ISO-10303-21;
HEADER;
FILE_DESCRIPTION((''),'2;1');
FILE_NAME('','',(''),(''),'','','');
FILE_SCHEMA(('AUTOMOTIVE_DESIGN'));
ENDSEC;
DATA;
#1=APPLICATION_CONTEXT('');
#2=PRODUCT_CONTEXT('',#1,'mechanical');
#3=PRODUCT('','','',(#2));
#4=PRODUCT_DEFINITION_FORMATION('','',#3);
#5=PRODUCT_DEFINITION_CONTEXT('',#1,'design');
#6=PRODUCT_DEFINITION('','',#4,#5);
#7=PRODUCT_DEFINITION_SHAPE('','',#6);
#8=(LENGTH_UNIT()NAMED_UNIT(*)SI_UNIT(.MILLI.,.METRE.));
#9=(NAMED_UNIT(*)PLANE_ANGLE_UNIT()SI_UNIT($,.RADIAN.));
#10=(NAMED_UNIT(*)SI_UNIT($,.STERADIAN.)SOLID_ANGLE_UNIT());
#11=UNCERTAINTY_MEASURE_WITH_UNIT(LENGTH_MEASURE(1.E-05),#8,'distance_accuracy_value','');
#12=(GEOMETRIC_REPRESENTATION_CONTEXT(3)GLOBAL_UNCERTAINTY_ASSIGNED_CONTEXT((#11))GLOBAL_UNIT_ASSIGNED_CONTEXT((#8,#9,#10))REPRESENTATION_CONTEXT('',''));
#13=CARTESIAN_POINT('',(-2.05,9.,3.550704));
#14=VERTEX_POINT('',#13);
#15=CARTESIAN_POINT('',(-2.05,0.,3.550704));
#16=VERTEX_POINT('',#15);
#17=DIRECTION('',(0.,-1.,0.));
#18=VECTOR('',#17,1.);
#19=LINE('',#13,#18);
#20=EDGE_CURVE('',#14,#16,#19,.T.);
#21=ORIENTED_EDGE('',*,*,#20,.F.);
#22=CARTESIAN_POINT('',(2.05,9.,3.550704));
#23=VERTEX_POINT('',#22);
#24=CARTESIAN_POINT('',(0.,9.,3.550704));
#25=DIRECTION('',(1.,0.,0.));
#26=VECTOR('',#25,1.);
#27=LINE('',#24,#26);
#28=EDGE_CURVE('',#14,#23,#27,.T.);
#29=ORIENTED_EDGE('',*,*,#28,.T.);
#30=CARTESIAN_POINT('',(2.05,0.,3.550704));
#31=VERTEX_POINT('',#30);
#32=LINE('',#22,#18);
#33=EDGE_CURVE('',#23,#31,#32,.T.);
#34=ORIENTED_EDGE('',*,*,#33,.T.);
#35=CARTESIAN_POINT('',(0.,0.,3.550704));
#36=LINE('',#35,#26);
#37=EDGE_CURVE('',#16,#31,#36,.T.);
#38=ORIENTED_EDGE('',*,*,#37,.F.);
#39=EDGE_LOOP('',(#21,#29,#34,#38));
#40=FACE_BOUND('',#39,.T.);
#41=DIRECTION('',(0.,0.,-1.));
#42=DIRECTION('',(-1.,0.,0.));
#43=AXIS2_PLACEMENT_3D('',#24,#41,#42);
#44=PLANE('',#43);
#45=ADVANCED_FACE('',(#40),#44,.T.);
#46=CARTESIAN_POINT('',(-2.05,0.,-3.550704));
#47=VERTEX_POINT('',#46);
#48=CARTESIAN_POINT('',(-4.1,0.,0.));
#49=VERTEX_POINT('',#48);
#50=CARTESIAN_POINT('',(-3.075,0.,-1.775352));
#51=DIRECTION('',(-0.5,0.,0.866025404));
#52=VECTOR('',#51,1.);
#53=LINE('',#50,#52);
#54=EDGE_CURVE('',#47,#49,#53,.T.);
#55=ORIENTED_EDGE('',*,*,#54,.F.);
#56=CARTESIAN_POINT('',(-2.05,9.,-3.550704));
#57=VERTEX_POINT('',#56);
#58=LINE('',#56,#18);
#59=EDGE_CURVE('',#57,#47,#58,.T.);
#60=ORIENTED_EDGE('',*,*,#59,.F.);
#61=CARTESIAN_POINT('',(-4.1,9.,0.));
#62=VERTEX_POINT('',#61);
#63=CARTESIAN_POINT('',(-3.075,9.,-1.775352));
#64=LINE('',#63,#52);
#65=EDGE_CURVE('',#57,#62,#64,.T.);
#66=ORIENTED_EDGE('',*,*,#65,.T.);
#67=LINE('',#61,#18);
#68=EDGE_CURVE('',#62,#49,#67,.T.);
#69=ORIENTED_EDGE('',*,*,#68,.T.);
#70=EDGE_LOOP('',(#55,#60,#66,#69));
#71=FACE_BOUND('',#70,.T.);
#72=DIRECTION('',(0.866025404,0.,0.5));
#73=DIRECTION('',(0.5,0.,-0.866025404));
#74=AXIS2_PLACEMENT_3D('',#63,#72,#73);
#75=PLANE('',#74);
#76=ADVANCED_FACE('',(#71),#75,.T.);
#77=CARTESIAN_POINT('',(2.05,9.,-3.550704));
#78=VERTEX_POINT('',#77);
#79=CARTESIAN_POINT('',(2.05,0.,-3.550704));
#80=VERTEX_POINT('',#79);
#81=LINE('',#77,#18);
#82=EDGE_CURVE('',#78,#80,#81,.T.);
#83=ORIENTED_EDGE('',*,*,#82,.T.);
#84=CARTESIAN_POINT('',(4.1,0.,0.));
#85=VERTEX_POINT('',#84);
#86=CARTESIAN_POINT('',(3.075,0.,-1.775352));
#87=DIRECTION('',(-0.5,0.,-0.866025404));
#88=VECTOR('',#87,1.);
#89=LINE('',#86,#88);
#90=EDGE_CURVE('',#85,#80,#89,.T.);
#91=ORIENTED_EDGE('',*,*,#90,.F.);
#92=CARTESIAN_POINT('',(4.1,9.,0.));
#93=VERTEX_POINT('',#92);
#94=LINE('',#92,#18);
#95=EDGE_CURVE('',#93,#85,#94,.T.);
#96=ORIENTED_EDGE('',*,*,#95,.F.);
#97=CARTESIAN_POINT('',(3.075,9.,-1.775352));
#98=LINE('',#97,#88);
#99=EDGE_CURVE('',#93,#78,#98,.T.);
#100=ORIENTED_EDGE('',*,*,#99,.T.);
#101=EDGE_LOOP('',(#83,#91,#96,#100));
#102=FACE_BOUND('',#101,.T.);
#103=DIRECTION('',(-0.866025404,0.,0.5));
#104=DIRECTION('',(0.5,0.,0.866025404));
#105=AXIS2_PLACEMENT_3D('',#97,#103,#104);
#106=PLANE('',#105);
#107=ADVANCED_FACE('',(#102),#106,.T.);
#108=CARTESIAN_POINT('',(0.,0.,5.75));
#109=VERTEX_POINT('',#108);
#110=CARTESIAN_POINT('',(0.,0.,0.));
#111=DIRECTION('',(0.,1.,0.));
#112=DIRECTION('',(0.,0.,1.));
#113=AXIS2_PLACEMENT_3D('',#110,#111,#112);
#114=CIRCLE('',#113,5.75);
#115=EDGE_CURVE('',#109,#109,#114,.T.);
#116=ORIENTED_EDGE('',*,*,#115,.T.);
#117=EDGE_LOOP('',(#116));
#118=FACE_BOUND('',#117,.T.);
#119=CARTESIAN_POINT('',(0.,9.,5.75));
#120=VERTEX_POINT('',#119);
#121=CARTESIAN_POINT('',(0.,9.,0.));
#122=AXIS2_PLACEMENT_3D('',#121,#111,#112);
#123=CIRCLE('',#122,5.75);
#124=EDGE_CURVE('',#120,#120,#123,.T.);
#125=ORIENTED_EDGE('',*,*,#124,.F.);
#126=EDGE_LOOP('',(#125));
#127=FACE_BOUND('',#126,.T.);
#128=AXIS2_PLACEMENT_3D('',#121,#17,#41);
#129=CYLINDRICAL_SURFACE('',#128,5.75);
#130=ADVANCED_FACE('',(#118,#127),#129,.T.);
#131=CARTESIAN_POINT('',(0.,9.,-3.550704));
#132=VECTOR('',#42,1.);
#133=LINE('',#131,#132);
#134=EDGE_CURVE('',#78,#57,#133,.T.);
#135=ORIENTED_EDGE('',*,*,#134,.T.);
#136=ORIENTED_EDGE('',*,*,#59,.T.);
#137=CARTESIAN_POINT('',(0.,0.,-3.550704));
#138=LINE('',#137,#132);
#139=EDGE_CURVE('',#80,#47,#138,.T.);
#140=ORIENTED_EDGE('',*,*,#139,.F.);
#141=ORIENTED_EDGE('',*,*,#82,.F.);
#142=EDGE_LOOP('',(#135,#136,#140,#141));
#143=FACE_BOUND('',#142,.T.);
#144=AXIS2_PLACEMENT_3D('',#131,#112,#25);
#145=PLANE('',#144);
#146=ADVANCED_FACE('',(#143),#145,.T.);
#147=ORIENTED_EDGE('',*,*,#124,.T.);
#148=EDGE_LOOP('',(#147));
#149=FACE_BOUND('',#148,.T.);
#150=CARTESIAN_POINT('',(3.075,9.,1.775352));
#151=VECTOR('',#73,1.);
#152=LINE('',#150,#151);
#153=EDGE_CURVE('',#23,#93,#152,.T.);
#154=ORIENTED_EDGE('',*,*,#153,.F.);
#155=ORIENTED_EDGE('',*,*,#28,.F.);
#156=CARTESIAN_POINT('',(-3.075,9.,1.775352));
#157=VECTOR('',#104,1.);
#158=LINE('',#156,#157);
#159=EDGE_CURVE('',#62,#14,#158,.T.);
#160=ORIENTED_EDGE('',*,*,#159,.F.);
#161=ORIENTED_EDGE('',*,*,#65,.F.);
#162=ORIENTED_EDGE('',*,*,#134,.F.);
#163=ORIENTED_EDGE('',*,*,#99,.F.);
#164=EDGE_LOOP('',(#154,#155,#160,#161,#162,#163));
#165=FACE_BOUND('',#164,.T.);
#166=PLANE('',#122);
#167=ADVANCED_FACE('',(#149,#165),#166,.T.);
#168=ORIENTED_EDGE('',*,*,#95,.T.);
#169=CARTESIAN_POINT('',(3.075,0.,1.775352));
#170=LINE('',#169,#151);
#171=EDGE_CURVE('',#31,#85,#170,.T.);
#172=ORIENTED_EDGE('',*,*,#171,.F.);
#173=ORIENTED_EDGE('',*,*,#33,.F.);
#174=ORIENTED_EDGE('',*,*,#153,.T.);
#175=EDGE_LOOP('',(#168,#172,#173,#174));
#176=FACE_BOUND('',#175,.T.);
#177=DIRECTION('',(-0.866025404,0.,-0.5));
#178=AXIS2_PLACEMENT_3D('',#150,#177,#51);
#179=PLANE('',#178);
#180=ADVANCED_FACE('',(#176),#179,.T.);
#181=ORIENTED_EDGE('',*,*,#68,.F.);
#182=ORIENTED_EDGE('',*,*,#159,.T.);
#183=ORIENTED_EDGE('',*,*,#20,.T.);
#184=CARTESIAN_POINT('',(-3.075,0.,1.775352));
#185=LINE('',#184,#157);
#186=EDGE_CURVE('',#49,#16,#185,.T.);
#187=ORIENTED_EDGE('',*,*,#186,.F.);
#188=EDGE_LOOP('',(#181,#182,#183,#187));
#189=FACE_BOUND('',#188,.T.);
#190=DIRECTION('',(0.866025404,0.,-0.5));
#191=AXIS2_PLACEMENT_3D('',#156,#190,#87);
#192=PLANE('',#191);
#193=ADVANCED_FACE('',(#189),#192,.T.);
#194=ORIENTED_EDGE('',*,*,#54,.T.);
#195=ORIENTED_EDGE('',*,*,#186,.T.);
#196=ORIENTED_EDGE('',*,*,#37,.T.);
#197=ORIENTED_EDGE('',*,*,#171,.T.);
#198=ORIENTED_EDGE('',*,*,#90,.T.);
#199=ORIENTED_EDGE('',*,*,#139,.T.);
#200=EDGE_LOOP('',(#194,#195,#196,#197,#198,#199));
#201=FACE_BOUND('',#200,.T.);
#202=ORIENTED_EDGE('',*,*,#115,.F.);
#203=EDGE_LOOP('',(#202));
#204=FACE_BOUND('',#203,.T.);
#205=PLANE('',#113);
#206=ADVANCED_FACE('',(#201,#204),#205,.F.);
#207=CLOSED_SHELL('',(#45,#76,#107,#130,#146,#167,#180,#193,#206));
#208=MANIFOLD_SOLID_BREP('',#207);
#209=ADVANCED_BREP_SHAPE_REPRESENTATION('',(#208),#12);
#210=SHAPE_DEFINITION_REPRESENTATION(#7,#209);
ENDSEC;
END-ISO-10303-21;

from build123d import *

# Parameters (mm, degrees)
SKETCH1_R           = 5.75
SKETCH1_R_2         = 4.1
BOSS_EXTRUDE1_DEPTH = 9


with BuildPart() as part:
    # Sketch1 → Boss-Extrude1 (new body)
    with BuildSketch(Plane(origin=(0, 0, 0), x_dir=(1, 0, 0), z_dir=(0, 1, 0))):
        with Locations(Location((0, 0, 0), (0, 0, 270))):
            Circle(SKETCH1_R)
        Circle(SKETCH1_R_2, mode=Mode.SUBTRACT)
        with BuildLine():
            ThreePointArc((-2.05, -3.550704156), (0, -4.1), (2.05, -3.550704156))
            Line((2.05, -3.550704156), (-2.05, -3.550704156))
        make_face()
        with BuildLine():
            Line((4.1, 0), (2.05, -3.550704156))
            ThreePointArc((2.05, -3.550704156), (3.550704156, -2.05), (4.1, 0))
        make_face()
        with BuildLine():
            Line((2.05, 3.550704156), (4.1, 0))
            ThreePointArc((4.1, 0), (3.550704156, 2.05), (2.05, 3.550704156))
        make_face()
        with BuildLine():
            Line((-2.05, 3.550704156), (2.05, 3.550704156))
            ThreePointArc((2.05, 3.550704156), (0, 4.1), (-2.05, 3.550704156))
        make_face()
        with BuildLine():
            ThreePointArc((-2.05, 3.550704156), (-3.550704156, 2.05), (-4.1, 0))
            Line((-4.1, 0), (-2.05, 3.550704156))
        make_face()
        with BuildLine():
            ThreePointArc((-4.1, 0), (-3.550704156, -2.05), (-2.05, -3.550704156))
            Line((-2.05, -3.550704156), (-4.1, 0))
        make_face()
    extrude(amount=BOSS_EXTRUDE1_DEPTH)


solid = part.part
